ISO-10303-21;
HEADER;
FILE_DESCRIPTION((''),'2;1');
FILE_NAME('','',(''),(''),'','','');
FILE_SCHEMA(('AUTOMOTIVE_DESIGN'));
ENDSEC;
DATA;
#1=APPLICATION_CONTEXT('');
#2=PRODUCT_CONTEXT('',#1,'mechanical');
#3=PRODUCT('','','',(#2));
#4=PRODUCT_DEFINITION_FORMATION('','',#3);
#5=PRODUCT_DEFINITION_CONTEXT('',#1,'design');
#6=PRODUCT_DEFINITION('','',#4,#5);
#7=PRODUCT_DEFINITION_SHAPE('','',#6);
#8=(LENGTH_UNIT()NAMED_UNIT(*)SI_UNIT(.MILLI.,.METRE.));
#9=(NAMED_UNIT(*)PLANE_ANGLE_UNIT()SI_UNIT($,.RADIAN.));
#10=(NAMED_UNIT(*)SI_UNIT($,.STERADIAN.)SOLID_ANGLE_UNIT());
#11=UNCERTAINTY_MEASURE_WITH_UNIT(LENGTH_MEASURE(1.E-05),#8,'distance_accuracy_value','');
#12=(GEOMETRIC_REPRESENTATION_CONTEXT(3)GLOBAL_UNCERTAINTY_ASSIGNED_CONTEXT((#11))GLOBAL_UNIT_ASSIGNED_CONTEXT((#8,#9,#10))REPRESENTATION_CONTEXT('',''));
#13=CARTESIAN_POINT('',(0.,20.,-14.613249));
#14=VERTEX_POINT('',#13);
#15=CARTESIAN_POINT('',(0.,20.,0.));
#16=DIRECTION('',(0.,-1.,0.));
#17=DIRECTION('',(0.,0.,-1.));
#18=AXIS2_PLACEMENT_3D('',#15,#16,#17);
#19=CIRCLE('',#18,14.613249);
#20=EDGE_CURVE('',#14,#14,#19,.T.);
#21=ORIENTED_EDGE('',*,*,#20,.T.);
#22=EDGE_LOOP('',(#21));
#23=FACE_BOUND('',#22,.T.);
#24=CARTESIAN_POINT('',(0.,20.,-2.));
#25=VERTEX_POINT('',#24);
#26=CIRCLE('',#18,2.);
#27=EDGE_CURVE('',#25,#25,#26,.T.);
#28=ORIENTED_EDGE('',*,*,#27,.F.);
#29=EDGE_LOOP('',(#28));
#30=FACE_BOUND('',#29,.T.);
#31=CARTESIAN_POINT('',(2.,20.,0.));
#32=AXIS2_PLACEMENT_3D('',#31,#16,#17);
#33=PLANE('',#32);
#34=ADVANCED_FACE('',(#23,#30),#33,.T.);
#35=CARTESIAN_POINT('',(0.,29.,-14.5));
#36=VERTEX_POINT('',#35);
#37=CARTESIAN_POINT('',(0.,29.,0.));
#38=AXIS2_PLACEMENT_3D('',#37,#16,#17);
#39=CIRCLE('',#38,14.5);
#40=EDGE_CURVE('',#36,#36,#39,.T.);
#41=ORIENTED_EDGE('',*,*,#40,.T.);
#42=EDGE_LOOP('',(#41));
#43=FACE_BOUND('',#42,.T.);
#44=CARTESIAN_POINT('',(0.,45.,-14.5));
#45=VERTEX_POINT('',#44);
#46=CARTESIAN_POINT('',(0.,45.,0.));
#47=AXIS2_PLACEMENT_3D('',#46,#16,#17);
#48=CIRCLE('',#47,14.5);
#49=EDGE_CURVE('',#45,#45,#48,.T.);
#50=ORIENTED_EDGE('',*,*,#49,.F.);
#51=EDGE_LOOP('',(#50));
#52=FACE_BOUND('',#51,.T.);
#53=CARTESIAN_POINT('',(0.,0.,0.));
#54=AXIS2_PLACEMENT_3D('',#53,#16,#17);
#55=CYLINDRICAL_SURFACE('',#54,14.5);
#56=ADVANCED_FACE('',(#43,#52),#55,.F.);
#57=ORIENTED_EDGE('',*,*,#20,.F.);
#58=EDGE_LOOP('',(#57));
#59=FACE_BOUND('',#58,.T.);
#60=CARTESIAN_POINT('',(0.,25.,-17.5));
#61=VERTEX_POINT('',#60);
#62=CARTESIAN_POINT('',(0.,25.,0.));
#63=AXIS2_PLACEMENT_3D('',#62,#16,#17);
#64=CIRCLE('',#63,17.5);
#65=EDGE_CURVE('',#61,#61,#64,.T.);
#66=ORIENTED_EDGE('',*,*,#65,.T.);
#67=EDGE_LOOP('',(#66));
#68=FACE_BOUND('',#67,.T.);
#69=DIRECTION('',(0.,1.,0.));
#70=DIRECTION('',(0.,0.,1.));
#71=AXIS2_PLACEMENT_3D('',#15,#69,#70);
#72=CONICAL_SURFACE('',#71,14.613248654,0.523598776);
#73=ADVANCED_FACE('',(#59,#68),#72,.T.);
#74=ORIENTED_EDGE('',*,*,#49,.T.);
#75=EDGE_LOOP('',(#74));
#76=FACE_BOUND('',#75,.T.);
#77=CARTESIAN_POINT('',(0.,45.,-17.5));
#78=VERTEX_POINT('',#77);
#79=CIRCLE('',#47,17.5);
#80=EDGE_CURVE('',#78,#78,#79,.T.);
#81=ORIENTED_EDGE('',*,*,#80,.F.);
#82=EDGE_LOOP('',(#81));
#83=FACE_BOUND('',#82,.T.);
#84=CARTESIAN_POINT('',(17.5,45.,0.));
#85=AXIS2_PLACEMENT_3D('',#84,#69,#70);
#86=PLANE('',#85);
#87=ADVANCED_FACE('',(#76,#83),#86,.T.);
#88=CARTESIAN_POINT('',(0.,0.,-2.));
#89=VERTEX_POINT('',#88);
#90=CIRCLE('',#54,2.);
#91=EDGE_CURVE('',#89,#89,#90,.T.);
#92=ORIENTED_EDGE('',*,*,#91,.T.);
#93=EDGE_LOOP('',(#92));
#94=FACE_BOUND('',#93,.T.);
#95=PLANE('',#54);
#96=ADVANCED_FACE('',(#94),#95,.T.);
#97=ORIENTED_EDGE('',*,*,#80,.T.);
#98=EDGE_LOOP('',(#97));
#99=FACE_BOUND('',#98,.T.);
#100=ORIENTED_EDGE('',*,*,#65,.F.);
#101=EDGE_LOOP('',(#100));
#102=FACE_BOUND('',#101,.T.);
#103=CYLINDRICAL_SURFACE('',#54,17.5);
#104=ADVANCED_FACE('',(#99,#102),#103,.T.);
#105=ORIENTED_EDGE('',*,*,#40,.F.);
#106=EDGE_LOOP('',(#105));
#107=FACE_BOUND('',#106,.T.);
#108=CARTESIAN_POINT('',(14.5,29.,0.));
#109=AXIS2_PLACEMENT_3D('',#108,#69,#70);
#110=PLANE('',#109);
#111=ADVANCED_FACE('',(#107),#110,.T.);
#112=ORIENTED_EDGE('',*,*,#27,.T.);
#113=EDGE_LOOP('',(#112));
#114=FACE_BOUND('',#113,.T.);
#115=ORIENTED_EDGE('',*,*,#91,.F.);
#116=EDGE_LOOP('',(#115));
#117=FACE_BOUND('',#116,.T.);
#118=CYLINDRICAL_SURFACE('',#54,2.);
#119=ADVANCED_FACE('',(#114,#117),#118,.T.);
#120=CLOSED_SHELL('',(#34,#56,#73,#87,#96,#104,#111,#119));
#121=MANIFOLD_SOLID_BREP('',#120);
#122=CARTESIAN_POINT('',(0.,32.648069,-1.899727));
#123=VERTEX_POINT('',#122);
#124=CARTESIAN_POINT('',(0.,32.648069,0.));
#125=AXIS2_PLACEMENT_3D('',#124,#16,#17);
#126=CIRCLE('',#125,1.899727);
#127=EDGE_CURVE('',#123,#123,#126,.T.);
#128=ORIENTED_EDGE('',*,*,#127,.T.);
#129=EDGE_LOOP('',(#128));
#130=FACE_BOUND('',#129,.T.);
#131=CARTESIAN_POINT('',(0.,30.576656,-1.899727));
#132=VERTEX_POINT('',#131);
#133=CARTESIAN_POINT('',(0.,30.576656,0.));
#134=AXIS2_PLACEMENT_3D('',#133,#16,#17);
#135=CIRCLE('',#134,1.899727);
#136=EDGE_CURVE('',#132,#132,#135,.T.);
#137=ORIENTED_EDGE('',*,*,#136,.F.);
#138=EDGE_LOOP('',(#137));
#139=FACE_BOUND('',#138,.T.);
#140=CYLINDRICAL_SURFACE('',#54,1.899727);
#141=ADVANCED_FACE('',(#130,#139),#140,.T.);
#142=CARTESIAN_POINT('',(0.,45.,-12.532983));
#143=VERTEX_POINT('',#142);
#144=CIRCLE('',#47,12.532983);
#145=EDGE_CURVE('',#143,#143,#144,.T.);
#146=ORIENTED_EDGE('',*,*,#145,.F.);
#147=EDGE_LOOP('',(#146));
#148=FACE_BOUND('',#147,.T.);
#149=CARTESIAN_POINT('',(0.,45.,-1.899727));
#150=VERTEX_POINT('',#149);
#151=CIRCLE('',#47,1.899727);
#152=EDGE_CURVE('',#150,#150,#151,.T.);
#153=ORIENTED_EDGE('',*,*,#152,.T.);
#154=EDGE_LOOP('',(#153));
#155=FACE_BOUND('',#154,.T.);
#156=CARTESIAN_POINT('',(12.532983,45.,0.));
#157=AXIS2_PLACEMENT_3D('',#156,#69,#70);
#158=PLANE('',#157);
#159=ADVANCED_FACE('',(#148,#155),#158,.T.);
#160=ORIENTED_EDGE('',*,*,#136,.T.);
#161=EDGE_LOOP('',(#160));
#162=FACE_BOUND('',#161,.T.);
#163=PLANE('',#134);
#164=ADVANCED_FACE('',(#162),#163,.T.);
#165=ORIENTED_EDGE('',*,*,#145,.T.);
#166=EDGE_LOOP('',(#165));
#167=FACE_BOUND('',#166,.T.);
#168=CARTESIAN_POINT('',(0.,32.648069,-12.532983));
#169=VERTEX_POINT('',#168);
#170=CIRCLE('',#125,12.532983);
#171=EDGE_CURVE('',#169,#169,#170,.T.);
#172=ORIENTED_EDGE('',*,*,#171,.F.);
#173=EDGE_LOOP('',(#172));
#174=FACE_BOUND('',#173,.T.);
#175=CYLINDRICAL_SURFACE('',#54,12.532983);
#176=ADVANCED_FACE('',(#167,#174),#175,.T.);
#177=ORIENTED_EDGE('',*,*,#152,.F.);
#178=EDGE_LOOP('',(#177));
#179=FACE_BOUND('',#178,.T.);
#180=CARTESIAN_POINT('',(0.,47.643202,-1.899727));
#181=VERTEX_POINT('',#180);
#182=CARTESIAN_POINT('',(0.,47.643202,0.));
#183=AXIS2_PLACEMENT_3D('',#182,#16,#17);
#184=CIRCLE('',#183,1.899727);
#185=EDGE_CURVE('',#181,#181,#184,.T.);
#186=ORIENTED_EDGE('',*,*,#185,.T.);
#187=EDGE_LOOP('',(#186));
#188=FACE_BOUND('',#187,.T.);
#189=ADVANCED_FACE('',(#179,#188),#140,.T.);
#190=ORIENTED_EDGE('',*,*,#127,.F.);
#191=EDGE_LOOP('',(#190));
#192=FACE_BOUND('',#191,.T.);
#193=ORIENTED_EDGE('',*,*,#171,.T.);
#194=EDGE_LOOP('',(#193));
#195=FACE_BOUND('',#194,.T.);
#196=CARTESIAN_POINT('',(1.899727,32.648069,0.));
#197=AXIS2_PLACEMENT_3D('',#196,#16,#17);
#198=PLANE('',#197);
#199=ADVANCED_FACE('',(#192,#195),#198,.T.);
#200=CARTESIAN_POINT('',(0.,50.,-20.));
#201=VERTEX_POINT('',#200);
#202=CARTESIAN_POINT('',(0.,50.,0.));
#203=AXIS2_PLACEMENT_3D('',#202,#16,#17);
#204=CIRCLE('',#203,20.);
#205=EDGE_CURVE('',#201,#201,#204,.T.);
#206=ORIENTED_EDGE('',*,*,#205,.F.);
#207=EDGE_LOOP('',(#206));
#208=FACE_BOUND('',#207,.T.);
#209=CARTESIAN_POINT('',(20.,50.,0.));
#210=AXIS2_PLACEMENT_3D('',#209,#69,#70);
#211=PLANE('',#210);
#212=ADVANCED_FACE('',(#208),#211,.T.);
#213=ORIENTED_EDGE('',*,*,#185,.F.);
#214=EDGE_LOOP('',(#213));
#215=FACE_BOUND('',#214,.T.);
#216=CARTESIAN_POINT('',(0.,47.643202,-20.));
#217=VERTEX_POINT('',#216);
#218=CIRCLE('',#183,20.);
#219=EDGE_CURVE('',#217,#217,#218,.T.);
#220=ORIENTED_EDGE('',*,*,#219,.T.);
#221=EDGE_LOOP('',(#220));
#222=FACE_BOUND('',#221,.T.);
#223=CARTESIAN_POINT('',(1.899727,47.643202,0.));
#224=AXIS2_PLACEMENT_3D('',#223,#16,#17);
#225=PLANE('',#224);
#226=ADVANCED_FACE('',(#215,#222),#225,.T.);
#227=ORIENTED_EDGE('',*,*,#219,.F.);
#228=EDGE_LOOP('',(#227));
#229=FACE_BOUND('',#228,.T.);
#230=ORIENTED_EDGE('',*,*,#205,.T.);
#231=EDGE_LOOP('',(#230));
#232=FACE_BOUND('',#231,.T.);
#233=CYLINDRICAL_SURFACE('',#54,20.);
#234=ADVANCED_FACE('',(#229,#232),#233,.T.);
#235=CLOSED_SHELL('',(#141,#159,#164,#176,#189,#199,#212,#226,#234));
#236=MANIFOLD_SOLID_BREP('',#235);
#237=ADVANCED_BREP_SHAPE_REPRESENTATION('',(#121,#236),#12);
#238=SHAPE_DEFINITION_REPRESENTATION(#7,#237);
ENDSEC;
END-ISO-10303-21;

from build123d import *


with BuildPart() as part:
    # Skica1 → Rotovat1 (revolve)
    with BuildSketch(Plane.XY, mode=Mode.PRIVATE) as rotovat1_sk:
        Polygon((0, 0), (2, 0), (2, 20), (14.613248654, 20), (17.5, 25), (17.5, 45), (14.5, 45), (14.5, 29), (0, 29), align=None)
    revolve(rotovat1_sk.sketch.rotate(Axis((0, 0, 0), (0, 1, 0)), 90), axis=Axis((0, 0, 0), (0, 1, 0)))


with BuildPart() as body_2:
    # Skica2 → Rotovat2 (revolve)
    with BuildSketch(Plane.XY, mode=Mode.PRIVATE) as rotovat2_sk:
        Polygon((0, 30.576655738), (1.899727241, 30.576655738), (1.899727241, 32.648069176), (12.532982887, 32.648069176), (12.532982887, 45), (1.899727241, 45), (1.899727241, 47.643201742), (20, 47.643201742), (20, 50), (0, 50), align=None)
    revolve(rotovat2_sk.sketch.rotate(Axis((0, 0, 0), (0, 1, 0)), 90), axis=Axis((0, 0, 0), (0, 1, 0)))


solid = Compound([part.part, body_2.part])
